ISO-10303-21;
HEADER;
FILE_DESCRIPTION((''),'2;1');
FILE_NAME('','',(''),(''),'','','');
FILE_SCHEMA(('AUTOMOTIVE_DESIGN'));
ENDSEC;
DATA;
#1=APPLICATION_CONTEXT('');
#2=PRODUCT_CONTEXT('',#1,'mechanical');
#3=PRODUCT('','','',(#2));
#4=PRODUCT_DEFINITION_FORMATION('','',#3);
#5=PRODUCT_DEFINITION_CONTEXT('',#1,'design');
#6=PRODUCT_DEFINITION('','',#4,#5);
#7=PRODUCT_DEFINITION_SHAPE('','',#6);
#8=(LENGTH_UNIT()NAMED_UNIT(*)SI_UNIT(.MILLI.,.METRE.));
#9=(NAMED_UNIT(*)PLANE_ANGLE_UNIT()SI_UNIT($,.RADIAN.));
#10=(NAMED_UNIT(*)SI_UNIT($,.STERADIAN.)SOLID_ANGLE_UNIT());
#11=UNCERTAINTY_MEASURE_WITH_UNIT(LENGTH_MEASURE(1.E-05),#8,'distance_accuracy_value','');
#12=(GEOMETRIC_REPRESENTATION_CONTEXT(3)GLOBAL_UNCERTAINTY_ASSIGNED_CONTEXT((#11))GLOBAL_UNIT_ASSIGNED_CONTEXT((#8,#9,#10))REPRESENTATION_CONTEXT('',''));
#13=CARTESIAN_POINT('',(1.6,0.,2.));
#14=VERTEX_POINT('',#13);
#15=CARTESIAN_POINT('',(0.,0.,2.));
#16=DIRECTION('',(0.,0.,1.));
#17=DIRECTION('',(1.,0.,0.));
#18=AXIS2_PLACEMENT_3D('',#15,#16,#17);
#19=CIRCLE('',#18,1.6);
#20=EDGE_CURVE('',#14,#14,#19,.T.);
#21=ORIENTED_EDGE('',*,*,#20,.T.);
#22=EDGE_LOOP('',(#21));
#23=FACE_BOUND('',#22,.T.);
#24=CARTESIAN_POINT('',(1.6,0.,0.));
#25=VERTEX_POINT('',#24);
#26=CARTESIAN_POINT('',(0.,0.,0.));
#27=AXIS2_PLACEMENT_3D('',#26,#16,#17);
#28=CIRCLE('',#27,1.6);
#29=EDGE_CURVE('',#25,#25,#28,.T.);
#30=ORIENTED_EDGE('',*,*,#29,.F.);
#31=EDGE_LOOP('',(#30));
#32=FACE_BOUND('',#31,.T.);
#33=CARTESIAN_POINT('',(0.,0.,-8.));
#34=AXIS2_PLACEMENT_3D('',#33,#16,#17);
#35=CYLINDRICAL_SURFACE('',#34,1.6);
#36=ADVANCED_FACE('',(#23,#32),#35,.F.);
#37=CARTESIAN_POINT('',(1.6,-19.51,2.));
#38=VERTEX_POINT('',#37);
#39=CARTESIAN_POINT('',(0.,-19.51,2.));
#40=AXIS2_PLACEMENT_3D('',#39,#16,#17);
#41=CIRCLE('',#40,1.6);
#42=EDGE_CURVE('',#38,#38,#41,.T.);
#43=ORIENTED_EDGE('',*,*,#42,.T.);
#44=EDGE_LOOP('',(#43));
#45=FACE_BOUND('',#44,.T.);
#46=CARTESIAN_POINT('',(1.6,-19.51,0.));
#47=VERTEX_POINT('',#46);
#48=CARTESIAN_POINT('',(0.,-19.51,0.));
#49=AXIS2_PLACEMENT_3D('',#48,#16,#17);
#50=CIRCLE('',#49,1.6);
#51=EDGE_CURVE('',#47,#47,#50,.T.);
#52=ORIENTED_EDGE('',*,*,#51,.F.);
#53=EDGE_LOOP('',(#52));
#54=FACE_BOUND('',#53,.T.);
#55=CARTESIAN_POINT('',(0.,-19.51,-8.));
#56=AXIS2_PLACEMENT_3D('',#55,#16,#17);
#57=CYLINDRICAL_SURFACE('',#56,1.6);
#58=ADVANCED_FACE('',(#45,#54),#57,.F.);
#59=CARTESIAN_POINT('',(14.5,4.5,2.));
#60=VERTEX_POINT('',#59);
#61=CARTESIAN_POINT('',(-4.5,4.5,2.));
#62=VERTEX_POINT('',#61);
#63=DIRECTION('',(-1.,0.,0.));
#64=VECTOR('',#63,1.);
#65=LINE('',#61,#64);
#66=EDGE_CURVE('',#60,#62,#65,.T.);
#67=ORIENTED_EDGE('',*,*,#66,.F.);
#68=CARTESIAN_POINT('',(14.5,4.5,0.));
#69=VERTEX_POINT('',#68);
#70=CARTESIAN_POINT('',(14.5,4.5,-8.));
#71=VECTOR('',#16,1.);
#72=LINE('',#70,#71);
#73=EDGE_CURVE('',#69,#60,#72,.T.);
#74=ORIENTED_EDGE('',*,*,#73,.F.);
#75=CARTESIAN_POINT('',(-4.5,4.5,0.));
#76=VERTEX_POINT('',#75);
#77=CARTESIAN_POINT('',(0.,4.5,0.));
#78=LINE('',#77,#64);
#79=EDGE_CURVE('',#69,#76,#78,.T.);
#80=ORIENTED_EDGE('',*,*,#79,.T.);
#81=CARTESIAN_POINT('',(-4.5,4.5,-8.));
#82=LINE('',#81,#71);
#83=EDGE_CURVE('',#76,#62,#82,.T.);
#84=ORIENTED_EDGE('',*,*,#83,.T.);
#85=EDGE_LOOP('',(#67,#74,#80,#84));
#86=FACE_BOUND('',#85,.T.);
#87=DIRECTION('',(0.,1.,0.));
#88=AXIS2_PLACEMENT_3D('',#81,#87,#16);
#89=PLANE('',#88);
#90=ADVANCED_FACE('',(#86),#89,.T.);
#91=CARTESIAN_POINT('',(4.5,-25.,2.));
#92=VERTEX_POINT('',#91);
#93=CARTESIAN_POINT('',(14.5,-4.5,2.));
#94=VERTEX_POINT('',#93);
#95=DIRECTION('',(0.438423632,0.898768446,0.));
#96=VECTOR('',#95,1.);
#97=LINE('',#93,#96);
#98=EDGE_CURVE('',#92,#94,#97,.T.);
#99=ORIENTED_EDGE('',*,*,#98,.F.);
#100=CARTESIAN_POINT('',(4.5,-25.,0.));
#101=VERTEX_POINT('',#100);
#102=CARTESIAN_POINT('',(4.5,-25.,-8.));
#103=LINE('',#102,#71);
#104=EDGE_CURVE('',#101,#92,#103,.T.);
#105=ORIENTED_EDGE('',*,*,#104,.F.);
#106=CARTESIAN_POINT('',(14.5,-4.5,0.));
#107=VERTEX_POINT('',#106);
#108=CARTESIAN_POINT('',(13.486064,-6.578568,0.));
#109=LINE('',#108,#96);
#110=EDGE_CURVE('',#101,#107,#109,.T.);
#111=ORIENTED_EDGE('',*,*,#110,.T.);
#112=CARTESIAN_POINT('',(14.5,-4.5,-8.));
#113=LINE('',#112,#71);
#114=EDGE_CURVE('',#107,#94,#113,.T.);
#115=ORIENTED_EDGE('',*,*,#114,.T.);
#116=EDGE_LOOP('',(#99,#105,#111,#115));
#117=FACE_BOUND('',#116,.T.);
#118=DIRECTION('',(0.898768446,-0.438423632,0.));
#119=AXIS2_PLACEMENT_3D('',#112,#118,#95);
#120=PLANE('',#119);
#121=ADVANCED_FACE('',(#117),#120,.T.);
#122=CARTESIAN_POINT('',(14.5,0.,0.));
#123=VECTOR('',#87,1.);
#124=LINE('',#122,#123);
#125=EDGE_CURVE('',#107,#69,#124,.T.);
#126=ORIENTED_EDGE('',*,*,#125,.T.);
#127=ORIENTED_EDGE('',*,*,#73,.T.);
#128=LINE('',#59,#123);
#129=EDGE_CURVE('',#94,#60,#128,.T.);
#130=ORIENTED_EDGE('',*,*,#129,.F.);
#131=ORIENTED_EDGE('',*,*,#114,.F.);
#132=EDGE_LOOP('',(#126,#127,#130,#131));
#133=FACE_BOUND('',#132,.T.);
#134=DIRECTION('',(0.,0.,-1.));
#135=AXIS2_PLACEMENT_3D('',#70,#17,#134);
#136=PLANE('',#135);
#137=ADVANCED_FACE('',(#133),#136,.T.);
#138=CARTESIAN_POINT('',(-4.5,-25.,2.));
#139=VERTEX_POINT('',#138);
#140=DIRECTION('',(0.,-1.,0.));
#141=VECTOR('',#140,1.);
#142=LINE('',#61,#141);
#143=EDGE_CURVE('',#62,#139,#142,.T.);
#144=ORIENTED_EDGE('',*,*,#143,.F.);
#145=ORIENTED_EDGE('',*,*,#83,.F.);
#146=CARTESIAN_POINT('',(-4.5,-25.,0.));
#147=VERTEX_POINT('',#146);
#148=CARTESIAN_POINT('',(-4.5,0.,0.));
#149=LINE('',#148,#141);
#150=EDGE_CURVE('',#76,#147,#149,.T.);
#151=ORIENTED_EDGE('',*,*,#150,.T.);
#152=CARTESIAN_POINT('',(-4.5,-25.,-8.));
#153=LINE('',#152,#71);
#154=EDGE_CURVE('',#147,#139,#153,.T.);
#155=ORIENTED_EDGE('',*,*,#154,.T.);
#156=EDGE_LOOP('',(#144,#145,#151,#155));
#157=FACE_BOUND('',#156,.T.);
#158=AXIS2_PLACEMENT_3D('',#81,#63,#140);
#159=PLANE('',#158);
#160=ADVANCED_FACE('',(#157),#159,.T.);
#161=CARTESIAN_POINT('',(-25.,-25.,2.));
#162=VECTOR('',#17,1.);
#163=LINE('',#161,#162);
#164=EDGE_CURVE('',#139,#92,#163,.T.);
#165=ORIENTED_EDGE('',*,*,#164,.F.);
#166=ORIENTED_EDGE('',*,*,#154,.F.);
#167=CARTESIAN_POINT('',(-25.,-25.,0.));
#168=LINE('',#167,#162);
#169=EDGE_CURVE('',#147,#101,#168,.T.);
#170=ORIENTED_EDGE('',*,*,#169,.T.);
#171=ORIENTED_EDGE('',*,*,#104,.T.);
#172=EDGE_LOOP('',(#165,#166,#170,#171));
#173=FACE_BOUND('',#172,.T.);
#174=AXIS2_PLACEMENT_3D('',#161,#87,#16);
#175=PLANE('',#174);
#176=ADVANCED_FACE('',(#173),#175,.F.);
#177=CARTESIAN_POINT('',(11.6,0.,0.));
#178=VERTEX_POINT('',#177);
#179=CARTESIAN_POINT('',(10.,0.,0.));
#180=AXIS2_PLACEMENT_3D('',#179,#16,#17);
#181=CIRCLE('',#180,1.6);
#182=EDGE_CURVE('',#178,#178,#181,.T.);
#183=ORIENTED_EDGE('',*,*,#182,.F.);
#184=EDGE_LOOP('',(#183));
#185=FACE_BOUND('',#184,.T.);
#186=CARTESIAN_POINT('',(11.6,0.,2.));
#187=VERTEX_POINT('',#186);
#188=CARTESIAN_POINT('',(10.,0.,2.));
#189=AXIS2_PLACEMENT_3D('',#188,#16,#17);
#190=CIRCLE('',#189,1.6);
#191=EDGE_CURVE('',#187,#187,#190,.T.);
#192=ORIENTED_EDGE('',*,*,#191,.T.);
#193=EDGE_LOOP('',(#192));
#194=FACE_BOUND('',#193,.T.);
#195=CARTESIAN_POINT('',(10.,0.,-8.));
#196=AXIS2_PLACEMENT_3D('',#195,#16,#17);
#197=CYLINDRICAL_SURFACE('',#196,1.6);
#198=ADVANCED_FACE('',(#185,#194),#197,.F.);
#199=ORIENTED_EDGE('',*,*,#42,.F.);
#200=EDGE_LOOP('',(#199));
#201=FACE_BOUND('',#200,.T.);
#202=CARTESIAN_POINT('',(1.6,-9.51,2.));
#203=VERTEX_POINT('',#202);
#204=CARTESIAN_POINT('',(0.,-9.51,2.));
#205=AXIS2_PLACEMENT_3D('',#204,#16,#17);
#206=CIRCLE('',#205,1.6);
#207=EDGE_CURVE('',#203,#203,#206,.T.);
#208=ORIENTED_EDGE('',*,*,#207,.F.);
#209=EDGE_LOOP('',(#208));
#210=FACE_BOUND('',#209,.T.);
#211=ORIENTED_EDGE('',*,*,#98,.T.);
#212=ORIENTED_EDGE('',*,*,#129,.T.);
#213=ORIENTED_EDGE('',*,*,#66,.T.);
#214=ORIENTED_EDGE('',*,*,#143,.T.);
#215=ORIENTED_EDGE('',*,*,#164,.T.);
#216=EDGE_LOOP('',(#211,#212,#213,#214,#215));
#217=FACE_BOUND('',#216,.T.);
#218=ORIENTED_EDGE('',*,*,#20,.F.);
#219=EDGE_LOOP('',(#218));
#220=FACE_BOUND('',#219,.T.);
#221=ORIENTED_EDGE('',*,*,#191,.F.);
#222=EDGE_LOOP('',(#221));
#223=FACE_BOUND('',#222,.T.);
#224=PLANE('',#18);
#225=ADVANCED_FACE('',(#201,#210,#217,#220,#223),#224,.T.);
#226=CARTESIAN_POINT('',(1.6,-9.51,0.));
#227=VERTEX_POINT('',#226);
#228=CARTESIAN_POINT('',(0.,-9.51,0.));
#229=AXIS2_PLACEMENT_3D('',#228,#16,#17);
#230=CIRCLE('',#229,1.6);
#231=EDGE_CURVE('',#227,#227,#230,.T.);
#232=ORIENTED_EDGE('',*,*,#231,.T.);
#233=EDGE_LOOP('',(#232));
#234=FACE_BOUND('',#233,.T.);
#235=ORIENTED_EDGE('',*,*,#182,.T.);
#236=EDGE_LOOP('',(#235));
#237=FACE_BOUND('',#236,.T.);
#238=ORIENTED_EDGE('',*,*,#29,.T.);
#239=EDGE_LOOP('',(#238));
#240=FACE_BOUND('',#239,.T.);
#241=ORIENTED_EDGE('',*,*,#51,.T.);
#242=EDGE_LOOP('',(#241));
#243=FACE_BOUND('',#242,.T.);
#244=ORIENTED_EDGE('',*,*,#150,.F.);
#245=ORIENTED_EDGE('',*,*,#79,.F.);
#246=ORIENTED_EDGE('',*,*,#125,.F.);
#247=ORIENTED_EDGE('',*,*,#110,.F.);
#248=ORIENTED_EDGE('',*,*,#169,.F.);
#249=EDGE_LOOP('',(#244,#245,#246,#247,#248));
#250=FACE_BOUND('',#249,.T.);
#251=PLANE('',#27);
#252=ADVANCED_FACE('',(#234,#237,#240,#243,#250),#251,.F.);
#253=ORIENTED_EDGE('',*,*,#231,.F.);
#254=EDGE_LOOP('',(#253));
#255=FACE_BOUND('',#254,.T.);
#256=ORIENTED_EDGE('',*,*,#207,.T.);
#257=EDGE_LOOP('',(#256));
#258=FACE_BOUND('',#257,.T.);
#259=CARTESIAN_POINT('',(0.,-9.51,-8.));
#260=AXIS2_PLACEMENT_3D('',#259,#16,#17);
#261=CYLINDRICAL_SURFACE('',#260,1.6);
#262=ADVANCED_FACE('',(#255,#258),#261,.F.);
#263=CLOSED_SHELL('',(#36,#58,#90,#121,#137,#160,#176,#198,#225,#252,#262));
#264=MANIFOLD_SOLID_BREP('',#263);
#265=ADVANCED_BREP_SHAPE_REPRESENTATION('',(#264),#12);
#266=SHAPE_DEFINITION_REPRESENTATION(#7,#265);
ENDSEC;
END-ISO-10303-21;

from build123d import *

# Parameters (mm, degrees)
SKETCH_1_W          = 50
SKETCH_1_H          = 50
EXTRUDE_1_DEPTH     = 2
SKETCH_2_R          = 1.6
CUT_EXTRUDE_1_DEPTH = 10
SKETCH_3_W          = 76.549088161
SKETCH_3_H          = 63.496312915
CUT_EXTRUDE_3_DEPTH = 10


with BuildPart() as part:
    # ｽｹｯﾁ1 → ﾎﾞｽ - 押し出し1 (new body)
    with BuildSketch(Plane.XY):
        Rectangle(SKETCH_1_W, SKETCH_1_H)
    extrude(amount=EXTRUDE_1_DEPTH)

    # ｽｹｯﾁ2 → ｶｯﾄ - 押し出し1 (cut)
    with BuildSketch(Plane.XY.offset(2)):
        Circle(SKETCH_2_R)
        with Locations((0, -9.51)):
            Circle(SKETCH_2_R)
        with Locations((0, -19.51)):
            Circle(SKETCH_2_R)
        with Locations((10, 0)):
            Circle(SKETCH_2_R)
    extrude(amount=-CUT_EXTRUDE_1_DEPTH, mode=Mode.SUBTRACT)

    # ｽｹｯﾁ3 → ｶｯﾄ - 押し出し3 (cut)
    with BuildSketch(Plane.XY.offset(2)):
        with Locations((-0.951764861, 3.501134841)):
            Rectangle(SKETCH_3_W, SKETCH_3_H)
        Polygon((14.5, -4.5), (4.5, -25), (-4.5, -25), (-4.5, 4.5), (14.5, 4.5), align=None, mode=Mode.SUBTRACT)
    extrude(amount=-CUT_EXTRUDE_3_DEPTH, mode=Mode.SUBTRACT)


solid = part.part
